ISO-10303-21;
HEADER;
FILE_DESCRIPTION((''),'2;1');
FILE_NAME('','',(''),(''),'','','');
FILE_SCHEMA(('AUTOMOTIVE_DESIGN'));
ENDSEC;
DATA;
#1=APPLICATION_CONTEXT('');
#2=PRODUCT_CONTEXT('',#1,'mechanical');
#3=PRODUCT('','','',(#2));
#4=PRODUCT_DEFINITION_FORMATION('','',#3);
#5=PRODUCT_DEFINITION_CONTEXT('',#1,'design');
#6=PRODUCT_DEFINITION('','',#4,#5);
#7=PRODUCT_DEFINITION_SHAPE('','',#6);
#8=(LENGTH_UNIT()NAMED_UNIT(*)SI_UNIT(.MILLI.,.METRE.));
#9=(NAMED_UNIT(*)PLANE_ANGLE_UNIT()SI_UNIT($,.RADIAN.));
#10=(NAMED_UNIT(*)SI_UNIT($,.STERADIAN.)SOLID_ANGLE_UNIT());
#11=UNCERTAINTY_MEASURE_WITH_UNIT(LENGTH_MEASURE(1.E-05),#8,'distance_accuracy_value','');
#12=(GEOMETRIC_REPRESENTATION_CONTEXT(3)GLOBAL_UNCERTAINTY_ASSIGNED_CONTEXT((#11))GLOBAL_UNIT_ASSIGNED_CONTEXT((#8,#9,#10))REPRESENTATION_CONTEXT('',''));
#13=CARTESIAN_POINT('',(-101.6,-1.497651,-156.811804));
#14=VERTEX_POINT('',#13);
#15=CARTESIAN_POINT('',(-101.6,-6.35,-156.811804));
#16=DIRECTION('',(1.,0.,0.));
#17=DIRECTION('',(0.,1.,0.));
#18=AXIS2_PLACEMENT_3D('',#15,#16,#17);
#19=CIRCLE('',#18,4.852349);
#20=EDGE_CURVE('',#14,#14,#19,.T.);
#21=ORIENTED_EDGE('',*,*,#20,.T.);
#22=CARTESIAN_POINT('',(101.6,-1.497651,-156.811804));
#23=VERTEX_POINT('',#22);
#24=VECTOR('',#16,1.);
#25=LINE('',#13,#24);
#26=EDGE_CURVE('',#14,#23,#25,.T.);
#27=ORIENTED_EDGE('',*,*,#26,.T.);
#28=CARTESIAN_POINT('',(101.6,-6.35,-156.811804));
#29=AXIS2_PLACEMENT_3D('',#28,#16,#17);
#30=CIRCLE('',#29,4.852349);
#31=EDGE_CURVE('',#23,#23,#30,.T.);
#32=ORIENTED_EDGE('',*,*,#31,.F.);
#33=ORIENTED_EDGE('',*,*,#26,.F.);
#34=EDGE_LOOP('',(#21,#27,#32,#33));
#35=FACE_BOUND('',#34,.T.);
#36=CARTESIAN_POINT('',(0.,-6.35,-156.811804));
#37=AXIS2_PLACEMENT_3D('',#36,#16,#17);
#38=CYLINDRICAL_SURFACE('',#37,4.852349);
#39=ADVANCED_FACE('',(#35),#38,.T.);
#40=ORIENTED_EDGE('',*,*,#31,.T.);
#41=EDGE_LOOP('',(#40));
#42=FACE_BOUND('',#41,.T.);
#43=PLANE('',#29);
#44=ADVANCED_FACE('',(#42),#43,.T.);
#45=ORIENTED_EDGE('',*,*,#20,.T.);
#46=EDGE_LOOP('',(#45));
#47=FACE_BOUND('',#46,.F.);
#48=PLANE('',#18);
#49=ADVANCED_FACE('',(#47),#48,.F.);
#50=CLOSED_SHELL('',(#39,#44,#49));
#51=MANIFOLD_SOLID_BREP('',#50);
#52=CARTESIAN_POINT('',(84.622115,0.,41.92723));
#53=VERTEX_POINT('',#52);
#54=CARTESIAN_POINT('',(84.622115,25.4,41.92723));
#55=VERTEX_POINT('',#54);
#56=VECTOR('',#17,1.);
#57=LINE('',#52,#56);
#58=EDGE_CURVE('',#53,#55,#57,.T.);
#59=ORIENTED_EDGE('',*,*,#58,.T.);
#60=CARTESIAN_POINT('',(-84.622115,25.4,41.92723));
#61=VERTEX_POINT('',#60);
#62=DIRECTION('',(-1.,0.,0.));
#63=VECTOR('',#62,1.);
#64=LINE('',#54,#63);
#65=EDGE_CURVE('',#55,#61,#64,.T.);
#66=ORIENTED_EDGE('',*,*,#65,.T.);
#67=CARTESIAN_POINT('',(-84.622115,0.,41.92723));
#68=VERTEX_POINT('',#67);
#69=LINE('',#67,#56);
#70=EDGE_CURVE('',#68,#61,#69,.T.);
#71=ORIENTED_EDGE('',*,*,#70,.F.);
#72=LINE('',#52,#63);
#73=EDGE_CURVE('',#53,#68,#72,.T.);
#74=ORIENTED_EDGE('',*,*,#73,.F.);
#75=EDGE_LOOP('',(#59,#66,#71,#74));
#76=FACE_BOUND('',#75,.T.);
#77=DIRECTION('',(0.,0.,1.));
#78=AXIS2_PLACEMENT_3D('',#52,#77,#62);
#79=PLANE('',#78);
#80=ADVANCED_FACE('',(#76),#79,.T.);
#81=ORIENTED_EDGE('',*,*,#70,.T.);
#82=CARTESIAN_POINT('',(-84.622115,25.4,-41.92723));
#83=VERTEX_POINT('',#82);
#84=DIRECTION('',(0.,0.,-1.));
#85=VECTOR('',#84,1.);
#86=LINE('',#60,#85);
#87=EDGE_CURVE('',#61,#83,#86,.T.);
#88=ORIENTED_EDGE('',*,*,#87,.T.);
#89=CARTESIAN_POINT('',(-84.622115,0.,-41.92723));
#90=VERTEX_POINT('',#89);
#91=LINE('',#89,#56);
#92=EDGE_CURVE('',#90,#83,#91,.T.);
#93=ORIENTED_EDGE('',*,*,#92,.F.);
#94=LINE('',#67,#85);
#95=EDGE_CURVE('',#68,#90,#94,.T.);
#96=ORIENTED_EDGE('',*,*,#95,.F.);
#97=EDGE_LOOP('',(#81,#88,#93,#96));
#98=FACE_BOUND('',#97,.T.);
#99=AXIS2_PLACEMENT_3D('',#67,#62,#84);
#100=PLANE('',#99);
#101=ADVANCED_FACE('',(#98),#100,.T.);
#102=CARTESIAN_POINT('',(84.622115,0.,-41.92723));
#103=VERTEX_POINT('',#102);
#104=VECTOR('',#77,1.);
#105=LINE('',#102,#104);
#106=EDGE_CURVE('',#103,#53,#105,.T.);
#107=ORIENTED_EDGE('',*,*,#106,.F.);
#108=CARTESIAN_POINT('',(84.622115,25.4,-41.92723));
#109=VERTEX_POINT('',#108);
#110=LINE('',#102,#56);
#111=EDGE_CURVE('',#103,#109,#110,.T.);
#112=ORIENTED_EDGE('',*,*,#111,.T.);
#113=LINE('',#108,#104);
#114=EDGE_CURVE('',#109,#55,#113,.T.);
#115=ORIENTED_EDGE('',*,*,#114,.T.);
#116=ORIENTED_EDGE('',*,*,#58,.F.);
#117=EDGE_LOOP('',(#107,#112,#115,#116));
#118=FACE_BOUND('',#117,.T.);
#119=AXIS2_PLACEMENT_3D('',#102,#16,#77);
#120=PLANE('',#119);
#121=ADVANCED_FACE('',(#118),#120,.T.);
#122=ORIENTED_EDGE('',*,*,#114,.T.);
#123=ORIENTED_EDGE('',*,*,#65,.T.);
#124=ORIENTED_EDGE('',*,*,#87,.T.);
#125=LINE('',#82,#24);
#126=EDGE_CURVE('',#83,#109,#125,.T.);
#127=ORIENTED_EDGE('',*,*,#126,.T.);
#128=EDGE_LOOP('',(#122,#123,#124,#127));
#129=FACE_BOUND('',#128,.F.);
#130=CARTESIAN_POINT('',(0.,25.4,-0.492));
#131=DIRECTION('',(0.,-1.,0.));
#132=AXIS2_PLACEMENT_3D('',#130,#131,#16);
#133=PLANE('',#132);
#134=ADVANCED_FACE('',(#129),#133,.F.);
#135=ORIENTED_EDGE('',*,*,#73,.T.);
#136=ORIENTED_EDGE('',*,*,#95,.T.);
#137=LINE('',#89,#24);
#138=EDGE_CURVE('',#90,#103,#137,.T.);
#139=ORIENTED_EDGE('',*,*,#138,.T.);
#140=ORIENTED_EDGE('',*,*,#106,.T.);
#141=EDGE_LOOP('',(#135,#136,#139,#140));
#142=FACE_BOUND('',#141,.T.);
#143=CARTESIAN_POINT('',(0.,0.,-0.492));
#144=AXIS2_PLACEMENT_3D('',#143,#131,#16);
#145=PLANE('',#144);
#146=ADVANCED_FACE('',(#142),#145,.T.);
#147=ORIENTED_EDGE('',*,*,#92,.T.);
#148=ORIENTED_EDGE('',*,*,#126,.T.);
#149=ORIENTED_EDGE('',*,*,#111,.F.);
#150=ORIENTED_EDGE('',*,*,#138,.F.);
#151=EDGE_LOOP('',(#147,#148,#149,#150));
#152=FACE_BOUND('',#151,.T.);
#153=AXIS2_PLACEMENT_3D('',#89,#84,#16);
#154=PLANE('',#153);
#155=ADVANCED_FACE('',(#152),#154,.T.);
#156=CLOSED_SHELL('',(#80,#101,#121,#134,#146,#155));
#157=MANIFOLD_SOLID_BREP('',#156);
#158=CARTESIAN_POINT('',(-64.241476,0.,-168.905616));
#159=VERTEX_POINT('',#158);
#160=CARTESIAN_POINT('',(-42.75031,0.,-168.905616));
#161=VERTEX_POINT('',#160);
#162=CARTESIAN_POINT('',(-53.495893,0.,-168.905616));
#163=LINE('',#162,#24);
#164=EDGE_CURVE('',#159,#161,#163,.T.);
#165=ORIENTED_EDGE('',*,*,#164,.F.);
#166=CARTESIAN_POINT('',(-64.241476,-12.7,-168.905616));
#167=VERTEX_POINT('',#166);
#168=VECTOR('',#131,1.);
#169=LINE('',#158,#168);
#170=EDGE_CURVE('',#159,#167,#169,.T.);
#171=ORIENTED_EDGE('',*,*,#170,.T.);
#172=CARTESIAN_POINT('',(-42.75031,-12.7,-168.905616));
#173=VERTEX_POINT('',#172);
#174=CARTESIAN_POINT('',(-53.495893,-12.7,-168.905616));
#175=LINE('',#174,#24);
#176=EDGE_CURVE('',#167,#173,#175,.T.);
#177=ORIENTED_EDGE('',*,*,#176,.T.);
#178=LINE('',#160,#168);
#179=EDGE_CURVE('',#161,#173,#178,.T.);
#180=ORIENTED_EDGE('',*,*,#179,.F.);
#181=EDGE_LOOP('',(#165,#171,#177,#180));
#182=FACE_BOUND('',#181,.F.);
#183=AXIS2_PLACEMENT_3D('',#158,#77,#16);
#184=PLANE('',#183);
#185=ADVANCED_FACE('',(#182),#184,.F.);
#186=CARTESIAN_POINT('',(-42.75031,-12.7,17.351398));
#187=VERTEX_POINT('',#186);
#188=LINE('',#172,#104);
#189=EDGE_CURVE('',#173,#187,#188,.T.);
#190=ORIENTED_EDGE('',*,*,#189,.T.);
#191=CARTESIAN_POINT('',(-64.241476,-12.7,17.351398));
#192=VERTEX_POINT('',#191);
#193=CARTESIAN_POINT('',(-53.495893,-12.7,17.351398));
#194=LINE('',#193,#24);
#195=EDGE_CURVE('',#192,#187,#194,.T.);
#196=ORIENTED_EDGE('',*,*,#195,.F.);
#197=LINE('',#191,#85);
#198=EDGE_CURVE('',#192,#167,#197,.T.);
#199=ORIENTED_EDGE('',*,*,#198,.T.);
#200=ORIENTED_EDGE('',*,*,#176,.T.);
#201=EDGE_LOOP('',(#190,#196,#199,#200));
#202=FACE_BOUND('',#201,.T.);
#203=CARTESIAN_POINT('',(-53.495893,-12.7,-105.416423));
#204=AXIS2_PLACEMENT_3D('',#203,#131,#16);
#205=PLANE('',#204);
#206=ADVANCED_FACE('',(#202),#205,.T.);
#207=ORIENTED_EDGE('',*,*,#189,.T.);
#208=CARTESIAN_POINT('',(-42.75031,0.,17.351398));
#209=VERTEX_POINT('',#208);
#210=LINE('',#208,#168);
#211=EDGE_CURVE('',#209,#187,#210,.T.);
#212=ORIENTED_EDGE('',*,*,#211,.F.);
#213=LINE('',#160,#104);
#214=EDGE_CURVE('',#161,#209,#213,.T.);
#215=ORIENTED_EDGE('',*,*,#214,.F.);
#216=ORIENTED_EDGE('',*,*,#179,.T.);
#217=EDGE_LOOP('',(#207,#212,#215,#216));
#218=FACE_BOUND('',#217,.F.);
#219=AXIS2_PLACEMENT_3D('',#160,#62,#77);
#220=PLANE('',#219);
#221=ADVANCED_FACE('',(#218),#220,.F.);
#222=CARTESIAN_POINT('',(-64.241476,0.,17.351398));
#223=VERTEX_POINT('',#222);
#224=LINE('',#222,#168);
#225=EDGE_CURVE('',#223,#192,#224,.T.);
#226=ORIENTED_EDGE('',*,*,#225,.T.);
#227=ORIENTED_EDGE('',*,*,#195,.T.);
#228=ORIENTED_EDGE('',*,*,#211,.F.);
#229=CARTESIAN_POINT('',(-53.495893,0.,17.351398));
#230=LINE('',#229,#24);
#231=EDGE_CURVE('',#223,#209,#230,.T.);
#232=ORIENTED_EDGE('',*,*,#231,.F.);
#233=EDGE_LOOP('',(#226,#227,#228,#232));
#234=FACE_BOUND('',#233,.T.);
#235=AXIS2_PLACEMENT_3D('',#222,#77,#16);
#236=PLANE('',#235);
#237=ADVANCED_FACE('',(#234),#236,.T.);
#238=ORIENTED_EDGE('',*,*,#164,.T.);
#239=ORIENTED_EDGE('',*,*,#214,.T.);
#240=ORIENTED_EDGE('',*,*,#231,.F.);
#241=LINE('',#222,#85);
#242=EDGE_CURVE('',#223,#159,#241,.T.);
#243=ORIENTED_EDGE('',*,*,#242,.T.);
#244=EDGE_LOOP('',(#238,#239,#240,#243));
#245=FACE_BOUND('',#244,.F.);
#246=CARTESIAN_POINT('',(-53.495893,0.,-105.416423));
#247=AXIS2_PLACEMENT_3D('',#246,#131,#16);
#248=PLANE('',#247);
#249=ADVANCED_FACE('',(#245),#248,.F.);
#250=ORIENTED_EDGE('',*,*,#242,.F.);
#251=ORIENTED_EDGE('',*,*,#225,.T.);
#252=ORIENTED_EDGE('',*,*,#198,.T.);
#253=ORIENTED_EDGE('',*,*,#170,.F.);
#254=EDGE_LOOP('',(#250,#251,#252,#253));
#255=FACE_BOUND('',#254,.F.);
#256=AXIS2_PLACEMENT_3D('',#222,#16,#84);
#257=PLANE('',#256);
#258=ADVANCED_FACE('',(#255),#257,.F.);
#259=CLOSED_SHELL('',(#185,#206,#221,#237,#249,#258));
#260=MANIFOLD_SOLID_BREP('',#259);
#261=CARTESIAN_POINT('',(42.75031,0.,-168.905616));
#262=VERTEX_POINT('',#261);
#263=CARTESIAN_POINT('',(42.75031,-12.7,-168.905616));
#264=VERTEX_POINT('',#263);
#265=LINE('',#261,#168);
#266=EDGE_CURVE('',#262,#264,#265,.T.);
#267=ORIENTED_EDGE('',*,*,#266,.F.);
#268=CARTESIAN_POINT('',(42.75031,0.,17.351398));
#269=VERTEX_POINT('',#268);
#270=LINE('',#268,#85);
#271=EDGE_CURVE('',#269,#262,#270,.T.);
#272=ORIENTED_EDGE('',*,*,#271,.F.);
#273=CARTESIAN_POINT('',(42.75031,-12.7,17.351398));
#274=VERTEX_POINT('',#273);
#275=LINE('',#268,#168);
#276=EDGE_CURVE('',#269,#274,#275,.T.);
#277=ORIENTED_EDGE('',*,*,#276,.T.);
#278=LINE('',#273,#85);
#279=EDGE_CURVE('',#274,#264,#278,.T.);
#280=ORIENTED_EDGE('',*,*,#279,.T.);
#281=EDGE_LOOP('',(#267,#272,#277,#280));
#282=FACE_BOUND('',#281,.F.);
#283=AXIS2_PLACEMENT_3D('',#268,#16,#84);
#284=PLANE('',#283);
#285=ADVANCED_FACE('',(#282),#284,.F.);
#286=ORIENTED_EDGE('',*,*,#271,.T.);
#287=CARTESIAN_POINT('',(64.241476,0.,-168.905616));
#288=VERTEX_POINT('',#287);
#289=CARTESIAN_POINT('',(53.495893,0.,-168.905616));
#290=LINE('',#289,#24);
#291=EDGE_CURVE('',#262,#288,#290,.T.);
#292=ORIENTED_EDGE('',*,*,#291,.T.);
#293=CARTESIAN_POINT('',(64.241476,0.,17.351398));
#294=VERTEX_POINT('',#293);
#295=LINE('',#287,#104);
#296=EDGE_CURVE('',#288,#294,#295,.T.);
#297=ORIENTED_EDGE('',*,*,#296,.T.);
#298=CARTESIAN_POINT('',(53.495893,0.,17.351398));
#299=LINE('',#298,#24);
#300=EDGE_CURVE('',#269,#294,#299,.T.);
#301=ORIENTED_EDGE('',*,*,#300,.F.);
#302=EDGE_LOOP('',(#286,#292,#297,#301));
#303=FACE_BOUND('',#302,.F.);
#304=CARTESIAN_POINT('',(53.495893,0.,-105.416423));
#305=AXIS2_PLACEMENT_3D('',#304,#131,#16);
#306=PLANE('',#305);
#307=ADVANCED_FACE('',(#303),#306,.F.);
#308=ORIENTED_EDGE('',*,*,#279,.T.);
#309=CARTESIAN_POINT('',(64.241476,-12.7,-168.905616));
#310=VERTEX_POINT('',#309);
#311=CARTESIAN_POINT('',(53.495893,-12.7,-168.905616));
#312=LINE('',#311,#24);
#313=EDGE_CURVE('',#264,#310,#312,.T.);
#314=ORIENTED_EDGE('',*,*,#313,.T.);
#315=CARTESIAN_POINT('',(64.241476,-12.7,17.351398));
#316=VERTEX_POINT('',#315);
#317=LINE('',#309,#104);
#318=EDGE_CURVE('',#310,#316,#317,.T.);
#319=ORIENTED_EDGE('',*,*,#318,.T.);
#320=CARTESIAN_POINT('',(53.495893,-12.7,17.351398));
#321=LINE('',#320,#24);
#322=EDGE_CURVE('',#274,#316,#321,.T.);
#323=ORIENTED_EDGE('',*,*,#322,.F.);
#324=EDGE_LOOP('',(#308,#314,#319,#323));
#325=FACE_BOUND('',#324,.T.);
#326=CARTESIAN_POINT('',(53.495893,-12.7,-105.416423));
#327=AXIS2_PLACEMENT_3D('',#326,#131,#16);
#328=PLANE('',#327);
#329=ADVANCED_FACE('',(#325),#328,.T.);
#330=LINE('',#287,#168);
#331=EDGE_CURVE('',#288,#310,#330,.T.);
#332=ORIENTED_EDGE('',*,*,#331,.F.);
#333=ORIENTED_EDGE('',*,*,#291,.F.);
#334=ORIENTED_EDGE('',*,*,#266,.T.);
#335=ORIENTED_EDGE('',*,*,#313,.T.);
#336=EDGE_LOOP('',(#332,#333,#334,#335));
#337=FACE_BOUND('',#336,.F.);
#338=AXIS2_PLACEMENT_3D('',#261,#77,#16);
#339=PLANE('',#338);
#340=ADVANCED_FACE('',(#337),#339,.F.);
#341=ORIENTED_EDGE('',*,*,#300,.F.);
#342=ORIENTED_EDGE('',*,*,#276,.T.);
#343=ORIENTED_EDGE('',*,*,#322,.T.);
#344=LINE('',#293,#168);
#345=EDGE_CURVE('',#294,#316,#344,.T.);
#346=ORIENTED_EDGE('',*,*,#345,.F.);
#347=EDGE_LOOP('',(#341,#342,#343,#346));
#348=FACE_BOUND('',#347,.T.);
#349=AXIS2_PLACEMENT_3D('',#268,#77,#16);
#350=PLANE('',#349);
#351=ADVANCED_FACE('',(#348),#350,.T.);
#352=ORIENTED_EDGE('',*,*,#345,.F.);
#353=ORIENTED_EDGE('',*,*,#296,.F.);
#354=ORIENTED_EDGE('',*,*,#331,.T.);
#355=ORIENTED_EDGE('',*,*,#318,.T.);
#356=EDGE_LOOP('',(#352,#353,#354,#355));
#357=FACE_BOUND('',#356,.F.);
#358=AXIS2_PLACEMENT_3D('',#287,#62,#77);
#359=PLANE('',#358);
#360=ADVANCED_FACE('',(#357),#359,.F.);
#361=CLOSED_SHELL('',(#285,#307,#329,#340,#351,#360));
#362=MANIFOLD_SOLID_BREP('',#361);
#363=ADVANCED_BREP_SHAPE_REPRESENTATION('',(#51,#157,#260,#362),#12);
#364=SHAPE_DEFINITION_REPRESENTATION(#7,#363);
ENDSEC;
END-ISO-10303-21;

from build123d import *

# Parameters (mm, degrees)
F0_W     = 21.4911662042
F0_H     = 59.2786279198
F1_DEPTH = 25.4
F0_H_2   = 126.9783861313
F2_DEPTH = 12.7
F3_R     = 4.8523486622
F4_DEPTH = 101.6


with BuildPart() as f1:
    # F0 (on Front) → F1 (new body)
    with BuildSketch(Plane.XZ):
        Polygon((84.6221148968, 41.9272296753), (-84.6221148968, 41.9272296753), (-84.6221148968, -41.9272296753), (-64.241476357, -41.9272296753), (-64.241476357, 17.3513982445), (-42.7503101528, 17.3513982445), (-42.7503101528, -41.9272296753), (42.7503101528, -41.9272296753), (42.7503101528, 17.3513982445), (64.241476357, 17.3513982445), (64.241476357, -41.9272296753), (84.6221148968, -41.9272296753), align=None)
        with Locations((-53.4958932549, -12.2879157154)):
            Rectangle(F0_W, F0_H)
        with Locations((53.4958932549, -12.2879157154)):
            Rectangle(F0_W, F0_H)
    extrude(amount=-F1_DEPTH)


with BuildPart() as f2:
    # F0 (on Front) → F2 (new body)
    with BuildSketch(Plane.XZ):
        with Locations((-53.4958932549, -105.4164227409)):
            Rectangle(F0_W, F0_H_2)
        with Locations((-53.4958932549, -12.2879157154)):
            Rectangle(F0_W, F0_H)
    extrude(amount=F2_DEPTH)


with BuildPart() as f2b:
    # F0 (on Front) → F2, piece 2 (new body)
    with BuildSketch(Plane.XZ):
        with Locations((53.4958932549, -105.4164227409)):
            Rectangle(F0_W, F0_H_2)
        with Locations((53.4958932549, -12.2879157154)):
            Rectangle(F0_W, F0_H)
    extrude(amount=F2_DEPTH)


with BuildPart() as f4:
    # F3 (on Right) → F4 (new body, symmetric)
    with BuildSketch(Plane.YZ):
        with Locations((-6.35, -156.8118035793)):
            Circle(F3_R)
    extrude(amount=F4_DEPTH, both=True)


solid = Compound([f1.part, f2.part, f2b.part, f4.part])
